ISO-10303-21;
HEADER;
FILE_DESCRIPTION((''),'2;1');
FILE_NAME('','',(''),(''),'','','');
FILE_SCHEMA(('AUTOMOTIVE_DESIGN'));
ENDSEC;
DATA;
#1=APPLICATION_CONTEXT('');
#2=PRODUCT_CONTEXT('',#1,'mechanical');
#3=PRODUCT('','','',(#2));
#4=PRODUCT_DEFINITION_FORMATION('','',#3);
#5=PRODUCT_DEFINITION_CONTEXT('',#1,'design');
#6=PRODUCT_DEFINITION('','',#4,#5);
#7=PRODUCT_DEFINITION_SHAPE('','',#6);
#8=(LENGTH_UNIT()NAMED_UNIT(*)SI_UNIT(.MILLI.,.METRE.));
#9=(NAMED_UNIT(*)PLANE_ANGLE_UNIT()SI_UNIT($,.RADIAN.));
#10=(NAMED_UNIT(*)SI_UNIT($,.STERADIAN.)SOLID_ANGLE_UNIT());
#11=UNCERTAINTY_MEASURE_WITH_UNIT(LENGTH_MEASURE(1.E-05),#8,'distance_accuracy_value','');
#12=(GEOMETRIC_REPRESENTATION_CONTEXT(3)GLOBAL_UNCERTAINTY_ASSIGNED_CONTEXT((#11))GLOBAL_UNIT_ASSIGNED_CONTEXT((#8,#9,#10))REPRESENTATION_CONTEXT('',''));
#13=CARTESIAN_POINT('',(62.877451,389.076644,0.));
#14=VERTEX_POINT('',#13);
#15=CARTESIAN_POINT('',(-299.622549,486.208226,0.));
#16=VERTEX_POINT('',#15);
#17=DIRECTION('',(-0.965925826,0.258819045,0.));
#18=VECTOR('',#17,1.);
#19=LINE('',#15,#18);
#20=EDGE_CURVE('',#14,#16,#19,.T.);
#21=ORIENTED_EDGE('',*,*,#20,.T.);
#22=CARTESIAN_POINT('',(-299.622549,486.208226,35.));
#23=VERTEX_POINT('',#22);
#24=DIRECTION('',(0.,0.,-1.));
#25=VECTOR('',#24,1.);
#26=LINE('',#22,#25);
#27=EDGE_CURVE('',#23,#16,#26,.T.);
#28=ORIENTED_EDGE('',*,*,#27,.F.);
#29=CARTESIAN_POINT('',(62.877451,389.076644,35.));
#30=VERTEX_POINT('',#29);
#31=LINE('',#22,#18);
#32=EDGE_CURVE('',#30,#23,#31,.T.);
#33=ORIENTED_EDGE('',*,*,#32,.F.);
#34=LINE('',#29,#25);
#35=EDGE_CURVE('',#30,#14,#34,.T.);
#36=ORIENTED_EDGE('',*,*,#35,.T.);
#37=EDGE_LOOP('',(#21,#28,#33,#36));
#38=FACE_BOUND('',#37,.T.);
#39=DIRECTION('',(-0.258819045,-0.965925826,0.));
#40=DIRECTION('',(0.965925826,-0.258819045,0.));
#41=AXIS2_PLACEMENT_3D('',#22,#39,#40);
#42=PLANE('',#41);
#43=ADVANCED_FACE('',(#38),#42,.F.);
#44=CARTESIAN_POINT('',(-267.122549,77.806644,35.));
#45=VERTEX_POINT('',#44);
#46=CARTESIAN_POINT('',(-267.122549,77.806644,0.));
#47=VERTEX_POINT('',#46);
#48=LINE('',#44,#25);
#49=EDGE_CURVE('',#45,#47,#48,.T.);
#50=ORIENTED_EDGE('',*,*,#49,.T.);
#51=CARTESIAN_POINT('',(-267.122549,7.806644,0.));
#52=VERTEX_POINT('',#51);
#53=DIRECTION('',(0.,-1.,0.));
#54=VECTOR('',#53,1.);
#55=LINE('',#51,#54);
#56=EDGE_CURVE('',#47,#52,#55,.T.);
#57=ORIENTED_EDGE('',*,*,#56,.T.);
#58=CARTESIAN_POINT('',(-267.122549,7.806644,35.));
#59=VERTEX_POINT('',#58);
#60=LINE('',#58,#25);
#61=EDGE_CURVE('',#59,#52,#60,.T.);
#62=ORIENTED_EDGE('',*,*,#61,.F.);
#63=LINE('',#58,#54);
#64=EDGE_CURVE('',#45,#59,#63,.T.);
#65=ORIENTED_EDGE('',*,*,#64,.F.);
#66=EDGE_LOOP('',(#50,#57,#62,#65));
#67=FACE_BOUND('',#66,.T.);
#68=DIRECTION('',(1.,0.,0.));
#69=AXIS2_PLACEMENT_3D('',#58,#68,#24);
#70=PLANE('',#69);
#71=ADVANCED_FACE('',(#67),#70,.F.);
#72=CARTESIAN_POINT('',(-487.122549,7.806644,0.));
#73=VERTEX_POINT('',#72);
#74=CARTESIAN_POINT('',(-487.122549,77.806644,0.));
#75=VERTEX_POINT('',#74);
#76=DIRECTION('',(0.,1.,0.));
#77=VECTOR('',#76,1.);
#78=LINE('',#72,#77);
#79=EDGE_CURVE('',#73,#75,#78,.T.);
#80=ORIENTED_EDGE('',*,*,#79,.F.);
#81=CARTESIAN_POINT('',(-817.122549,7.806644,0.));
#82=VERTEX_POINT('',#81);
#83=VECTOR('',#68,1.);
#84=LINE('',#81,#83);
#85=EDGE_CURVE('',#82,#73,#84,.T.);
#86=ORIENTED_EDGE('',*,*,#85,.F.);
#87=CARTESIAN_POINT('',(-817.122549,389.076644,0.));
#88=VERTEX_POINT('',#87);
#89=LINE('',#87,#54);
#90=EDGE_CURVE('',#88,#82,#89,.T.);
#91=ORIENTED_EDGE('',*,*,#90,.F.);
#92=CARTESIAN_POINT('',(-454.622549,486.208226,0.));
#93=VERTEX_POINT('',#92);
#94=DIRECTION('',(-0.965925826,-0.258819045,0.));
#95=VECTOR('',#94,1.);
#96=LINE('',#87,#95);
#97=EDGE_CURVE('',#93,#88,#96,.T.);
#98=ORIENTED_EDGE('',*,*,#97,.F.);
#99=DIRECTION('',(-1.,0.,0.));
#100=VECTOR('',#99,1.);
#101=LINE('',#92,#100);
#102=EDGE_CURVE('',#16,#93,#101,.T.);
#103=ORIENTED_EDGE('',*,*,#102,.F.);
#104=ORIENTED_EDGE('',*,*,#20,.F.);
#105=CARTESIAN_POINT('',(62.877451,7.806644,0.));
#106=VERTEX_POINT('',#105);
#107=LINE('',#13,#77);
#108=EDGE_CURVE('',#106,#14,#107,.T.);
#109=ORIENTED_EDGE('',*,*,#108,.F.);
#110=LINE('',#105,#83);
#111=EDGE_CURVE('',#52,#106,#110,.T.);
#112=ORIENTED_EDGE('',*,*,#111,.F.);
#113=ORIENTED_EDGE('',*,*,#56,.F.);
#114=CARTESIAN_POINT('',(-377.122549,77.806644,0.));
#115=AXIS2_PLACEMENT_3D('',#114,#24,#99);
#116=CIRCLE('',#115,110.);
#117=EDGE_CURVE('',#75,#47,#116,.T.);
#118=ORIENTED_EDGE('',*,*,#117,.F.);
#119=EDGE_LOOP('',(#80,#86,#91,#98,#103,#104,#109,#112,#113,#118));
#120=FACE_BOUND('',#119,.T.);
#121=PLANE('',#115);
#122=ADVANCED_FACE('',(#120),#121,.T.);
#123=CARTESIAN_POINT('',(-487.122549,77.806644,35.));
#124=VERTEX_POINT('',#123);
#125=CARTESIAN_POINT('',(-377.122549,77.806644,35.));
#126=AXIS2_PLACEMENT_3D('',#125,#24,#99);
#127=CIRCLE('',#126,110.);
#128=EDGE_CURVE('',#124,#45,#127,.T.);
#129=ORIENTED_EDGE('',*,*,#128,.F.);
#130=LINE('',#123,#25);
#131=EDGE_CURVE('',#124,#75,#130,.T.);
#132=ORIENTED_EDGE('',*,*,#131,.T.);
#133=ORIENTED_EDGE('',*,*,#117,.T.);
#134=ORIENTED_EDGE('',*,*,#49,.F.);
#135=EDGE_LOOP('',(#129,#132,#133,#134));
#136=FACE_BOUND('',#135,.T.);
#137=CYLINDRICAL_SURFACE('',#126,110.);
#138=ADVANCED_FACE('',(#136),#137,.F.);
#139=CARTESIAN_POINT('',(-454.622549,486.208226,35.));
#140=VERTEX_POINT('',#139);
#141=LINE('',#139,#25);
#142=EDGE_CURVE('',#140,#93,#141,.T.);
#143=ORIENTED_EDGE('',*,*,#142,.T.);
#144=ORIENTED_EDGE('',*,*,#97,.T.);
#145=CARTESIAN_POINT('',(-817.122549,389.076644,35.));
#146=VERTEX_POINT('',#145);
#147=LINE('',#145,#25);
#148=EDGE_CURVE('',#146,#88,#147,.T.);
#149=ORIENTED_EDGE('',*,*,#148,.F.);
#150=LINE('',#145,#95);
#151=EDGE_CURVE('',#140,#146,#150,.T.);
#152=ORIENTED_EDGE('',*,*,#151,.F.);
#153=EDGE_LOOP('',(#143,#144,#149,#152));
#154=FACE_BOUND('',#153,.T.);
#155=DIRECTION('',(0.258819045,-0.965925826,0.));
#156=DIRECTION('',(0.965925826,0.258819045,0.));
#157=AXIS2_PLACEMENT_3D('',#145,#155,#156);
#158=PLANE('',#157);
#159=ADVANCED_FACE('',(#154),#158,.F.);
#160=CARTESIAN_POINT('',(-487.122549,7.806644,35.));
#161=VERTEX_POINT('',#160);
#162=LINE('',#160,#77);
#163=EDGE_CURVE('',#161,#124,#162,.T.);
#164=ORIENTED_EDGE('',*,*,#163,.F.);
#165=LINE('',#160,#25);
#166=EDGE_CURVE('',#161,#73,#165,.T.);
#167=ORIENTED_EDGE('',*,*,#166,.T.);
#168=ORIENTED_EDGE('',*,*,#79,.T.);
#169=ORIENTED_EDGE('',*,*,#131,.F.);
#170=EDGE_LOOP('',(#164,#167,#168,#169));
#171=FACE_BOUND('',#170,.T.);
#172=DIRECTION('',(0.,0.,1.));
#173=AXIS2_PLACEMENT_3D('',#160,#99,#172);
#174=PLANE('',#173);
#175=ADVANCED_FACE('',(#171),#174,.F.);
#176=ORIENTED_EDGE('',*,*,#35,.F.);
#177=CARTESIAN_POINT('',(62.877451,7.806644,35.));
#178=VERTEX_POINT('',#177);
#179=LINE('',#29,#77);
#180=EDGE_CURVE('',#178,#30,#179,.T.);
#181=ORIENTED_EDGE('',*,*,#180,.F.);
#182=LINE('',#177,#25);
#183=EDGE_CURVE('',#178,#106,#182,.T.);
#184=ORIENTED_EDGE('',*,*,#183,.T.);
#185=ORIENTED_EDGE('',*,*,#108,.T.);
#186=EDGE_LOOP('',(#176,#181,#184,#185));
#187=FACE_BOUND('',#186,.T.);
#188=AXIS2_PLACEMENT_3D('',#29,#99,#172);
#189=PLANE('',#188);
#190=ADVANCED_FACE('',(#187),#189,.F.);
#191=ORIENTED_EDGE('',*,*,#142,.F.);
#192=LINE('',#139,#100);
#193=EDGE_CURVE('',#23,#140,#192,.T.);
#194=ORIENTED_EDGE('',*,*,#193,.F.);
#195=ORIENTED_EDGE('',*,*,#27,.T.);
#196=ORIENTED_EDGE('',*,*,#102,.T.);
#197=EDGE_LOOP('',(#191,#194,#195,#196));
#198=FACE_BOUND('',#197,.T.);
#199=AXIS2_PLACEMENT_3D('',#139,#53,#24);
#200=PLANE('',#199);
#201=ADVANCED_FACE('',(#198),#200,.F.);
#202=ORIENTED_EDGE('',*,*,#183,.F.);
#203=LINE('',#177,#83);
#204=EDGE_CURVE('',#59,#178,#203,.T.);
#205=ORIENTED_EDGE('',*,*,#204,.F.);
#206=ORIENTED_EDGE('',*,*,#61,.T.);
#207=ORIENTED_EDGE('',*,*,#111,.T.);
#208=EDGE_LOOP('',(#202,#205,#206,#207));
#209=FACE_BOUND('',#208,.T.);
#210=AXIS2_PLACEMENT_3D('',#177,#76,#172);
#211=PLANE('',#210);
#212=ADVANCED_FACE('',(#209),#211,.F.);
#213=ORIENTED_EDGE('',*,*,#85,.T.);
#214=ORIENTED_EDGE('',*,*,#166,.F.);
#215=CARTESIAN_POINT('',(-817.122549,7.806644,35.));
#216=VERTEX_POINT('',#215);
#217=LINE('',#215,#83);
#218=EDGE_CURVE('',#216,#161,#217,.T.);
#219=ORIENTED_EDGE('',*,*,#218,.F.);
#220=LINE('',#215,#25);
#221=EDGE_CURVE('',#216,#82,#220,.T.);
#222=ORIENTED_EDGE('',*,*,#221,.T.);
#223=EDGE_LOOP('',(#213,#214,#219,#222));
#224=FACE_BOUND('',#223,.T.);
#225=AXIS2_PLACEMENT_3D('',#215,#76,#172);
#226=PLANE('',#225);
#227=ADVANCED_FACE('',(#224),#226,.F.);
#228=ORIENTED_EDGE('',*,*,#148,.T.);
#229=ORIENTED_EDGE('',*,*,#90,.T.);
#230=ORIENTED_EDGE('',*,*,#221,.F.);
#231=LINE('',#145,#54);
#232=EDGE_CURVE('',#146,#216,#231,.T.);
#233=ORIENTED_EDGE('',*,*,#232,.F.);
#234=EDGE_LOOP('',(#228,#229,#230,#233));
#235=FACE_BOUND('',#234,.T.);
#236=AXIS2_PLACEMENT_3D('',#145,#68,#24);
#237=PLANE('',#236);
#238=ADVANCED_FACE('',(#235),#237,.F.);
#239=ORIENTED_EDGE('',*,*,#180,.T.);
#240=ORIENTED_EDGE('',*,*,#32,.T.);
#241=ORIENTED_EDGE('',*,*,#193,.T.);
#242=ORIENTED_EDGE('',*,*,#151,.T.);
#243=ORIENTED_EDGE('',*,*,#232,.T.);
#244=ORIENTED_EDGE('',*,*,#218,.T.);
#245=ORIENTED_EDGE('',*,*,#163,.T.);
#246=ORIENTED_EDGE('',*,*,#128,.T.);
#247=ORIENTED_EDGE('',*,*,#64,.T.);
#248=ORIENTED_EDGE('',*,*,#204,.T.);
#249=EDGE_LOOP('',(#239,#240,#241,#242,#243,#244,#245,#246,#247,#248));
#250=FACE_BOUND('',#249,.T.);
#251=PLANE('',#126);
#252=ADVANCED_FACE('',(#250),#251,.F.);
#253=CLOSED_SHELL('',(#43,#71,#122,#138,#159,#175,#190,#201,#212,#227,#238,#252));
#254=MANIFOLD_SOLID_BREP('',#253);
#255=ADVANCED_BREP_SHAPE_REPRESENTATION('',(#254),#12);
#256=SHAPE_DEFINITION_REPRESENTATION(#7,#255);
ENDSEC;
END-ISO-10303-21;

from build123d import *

# Parameters (mm, degrees)
AUFSATZ_LINEAR_AUSTRAGEN1_DEPTH = 35


with BuildPart() as part:
    # Skizze1 → Aufsatz-Linear austragen1 (new body)
    with BuildSketch(Plane.XY):
        with BuildLine():
            Line((62.877451446, 389.076644167), (62.877451446, 7.806644167))
            Line((62.877451446, 7.806644167), (-267.122548554, 7.806644167))
            Line((-267.122548554, 7.806644167), (-267.122548554, 77.806644167))
            ThreePointArc((-267.122548554, 77.806644167), (-377.122548554, 187.806644167), (-487.122548554, 77.806644167))
            Line((-487.122548554, 77.806644167), (-487.122548554, 7.806644167))
            Line((-487.122548554, 7.806644167), (-817.122548554, 7.806644167))
            Line((-817.122548554, 7.806644167), (-817.122548554, 389.076644167))
            Line((-817.122548554, 389.076644167), (-454.622548554, 486.208226423))
            Line((-454.622548554, 486.208226423), (-299.622548554, 486.208226423))
            Line((-299.622548554, 486.208226423), (62.877451446, 389.076644167))
        make_face()
    extrude(amount=AUFSATZ_LINEAR_AUSTRAGEN1_DEPTH)


solid = part.part
